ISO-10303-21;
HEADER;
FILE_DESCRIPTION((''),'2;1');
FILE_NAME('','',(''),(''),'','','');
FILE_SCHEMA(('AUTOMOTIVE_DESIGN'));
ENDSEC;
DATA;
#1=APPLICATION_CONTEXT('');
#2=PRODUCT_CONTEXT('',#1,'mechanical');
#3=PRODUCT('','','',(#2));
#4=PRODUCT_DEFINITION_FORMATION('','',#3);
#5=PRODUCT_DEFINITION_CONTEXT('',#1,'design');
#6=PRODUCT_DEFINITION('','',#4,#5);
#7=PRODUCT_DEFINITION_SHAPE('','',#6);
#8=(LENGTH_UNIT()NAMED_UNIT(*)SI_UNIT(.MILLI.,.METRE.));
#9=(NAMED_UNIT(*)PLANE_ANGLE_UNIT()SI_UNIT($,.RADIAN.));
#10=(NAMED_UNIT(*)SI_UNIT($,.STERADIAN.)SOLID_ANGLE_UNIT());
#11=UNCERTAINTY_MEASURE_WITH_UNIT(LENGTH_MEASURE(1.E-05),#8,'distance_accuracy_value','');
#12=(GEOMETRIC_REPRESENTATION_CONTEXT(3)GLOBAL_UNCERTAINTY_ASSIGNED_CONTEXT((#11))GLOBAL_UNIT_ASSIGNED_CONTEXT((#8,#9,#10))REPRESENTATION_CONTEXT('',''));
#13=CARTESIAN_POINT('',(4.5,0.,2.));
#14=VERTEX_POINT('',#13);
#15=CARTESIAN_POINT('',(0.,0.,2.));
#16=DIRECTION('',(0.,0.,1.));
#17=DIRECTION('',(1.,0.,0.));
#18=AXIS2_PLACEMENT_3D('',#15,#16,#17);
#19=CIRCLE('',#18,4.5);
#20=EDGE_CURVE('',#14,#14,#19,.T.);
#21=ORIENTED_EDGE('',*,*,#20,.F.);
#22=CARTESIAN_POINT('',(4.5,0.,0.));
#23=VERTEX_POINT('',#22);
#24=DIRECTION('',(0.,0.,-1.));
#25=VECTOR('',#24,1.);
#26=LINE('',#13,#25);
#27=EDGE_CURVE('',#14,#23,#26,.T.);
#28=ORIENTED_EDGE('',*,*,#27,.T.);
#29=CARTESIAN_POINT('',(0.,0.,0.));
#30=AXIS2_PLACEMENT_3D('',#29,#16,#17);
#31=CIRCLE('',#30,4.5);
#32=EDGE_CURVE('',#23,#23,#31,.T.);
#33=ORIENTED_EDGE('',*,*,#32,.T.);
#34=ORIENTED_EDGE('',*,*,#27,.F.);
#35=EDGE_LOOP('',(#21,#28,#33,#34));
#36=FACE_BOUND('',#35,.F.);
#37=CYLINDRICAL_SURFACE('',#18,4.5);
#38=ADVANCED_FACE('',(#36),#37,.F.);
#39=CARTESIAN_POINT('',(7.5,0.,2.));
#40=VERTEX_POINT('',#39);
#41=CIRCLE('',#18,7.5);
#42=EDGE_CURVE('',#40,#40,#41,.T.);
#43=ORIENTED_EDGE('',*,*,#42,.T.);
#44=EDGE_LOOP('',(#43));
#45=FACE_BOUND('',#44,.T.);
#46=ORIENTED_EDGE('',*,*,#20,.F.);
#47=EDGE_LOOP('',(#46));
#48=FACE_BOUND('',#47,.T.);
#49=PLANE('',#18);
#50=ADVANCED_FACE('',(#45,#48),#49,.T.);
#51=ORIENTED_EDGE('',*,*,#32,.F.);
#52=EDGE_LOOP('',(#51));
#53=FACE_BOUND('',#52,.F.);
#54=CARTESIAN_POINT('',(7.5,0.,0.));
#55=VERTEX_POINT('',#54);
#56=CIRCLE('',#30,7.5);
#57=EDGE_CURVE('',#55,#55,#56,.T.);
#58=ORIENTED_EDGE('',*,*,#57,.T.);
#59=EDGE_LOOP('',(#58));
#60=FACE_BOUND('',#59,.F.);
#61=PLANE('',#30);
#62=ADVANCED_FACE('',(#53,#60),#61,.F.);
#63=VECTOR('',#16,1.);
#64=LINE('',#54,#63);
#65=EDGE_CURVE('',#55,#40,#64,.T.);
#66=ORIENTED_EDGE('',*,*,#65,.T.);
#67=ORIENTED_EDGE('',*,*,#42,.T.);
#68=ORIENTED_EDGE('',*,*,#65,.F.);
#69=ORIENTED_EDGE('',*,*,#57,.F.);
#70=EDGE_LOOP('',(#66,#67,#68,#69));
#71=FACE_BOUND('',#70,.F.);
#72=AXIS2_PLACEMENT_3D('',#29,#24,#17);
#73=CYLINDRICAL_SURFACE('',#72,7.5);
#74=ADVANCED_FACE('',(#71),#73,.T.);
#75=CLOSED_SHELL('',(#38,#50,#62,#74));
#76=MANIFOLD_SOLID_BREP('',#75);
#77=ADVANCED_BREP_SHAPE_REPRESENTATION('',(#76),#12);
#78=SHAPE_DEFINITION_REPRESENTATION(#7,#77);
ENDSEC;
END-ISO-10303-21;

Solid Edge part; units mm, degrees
sketch "Sketch1" plane through (0, 0, 0) normal (0, 0, 1) x (1, 0, 0)
  circle A0 centre (0, 0) radius 7.5
  dimension "D1" = 15
extrude "Protrusion1" add sketch "Sketch1" along normal blind 2
sketch "Sketch2" plane through (0, 0, 2) normal (0, 0, 1) x (1, 0, 0)
  circle A0 centre (0, 0) radius 4.5
  dimension "D1" = 9
extrude "Cutout1" cut sketch "Sketch2" against normal through all
